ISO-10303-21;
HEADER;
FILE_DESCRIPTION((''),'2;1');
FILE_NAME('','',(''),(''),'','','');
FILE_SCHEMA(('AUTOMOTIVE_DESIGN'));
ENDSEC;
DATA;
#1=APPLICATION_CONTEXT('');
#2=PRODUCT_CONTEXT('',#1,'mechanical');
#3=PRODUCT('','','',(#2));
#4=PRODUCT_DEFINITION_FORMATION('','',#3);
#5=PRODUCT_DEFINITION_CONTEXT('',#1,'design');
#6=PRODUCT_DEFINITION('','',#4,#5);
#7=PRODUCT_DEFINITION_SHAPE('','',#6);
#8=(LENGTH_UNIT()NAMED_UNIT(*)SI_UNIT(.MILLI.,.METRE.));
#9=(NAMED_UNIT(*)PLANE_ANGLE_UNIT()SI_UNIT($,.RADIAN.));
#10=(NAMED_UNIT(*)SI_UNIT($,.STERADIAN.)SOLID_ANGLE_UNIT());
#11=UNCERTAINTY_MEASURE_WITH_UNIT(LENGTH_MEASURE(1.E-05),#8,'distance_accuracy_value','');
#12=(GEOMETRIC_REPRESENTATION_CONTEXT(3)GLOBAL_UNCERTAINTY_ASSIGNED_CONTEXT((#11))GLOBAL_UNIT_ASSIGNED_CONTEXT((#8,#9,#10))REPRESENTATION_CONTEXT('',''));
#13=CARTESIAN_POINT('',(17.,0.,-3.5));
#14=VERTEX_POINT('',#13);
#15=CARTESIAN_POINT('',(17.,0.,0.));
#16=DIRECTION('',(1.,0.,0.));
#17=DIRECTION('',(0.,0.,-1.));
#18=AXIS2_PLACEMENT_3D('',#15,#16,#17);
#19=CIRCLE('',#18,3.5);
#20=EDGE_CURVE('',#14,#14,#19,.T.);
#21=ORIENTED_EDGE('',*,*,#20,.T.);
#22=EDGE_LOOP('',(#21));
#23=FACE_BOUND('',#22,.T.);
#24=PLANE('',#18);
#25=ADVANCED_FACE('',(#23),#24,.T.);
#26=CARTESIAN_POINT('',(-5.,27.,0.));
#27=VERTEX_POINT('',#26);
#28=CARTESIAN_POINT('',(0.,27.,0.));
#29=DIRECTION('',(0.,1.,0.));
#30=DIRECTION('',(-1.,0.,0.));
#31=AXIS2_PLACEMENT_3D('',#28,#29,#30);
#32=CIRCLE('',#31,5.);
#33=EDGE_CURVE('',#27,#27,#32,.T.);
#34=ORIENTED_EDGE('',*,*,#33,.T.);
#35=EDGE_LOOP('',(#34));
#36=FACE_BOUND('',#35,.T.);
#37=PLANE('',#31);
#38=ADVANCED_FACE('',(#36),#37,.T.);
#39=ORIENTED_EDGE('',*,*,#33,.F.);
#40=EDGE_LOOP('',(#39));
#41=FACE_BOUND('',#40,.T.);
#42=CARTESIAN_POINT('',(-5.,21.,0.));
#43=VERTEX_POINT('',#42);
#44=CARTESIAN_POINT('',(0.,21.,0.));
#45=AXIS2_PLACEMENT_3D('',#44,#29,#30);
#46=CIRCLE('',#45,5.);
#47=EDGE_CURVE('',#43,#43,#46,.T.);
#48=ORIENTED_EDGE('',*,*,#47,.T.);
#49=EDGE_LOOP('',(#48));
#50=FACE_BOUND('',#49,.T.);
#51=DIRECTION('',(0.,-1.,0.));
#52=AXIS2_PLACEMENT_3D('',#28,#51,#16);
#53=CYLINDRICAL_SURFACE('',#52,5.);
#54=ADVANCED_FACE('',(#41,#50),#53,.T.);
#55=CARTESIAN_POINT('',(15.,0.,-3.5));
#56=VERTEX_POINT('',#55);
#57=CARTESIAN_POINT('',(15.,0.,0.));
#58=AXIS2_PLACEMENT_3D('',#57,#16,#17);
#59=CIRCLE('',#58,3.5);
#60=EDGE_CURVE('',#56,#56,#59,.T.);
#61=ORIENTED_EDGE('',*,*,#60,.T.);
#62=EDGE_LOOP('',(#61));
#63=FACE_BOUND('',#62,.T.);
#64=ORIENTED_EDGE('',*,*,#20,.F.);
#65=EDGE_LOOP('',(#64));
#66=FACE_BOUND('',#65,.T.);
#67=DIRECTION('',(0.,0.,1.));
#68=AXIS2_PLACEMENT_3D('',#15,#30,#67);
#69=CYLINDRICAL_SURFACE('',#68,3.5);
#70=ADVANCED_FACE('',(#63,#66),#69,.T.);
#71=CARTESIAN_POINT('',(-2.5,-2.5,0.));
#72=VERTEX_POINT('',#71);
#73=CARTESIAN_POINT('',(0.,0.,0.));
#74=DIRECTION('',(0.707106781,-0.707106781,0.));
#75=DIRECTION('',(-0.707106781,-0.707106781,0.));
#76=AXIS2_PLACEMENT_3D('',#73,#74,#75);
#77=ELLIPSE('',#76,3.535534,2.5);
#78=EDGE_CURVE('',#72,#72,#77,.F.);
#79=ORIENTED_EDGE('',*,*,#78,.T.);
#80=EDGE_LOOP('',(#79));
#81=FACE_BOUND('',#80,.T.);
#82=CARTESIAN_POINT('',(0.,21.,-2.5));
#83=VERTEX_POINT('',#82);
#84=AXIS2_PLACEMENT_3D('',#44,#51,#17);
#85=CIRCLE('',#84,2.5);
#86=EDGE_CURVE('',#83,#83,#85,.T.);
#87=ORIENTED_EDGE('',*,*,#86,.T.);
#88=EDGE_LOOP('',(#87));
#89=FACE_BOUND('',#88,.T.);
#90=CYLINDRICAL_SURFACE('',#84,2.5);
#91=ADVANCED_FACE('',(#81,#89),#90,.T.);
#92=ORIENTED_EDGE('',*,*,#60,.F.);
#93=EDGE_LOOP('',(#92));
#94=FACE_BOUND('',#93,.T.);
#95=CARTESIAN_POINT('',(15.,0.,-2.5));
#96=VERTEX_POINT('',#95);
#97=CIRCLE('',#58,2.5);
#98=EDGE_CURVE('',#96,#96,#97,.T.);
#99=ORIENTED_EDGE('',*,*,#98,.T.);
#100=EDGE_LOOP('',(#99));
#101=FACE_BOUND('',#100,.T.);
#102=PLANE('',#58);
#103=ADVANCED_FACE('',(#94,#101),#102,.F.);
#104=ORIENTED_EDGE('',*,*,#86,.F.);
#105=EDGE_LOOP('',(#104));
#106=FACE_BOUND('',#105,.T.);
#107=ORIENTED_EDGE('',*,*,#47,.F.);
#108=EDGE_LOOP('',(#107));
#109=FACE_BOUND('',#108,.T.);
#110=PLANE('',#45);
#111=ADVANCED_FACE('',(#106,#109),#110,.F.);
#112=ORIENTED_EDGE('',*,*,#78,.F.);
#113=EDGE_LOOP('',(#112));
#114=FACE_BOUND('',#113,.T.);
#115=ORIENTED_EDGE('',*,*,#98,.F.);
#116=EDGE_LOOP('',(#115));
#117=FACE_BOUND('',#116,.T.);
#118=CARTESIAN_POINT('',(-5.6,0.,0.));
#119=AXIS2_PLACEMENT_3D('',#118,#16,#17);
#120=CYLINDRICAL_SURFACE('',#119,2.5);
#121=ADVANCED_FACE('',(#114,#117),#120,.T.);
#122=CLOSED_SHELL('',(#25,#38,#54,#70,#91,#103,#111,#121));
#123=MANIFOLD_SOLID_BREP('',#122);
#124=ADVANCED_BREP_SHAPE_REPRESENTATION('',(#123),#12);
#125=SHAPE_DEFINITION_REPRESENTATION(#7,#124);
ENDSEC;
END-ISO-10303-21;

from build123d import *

# Parameters (mm, degrees)
SKETCH2_R           = 2.5
SKETCH3_R           = 3.5
BOSS_EXTRUDE1_DEPTH = 2
SKETCH4_R           = 5
BOSS_EXTRUDE2_DEPTH = 6


with BuildPart() as part:
    # Sweep1: sweep along a path in Sketch1
    with BuildLine(Plane.XY) as sweep1_path:
        Line((0, 21), (0, 0))
        Line((0, 0), (15, 0))
    # Sketch2 → Sweep1 (sweep)
    with BuildSketch(Plane(origin=(15, 0, 0), x_dir=(0, 0, -1), z_dir=(1, 0, 0))):
        Circle(SKETCH2_R)
    sweep(path=sweep1_path.line, transition=Transition.RIGHT)

    # Sketch3 → Boss-Extrude1 (add)
    with BuildSketch(Plane(origin=(15, 0, 0), x_dir=(0, 0, -1), z_dir=(1, 0, 0))):
        Circle(SKETCH3_R)
    extrude(amount=BOSS_EXTRUDE1_DEPTH)

    # Sketch4 → Boss-Extrude2 (add)
    with BuildSketch(Plane(origin=(0, 21, 0), x_dir=(1, 0, 0), z_dir=(0, 1, 0))):
        with Locations(Location((0, 0, 0), (0, 0, 180))):
            Circle(SKETCH4_R)
    extrude(amount=BOSS_EXTRUDE2_DEPTH)


solid = part.part
